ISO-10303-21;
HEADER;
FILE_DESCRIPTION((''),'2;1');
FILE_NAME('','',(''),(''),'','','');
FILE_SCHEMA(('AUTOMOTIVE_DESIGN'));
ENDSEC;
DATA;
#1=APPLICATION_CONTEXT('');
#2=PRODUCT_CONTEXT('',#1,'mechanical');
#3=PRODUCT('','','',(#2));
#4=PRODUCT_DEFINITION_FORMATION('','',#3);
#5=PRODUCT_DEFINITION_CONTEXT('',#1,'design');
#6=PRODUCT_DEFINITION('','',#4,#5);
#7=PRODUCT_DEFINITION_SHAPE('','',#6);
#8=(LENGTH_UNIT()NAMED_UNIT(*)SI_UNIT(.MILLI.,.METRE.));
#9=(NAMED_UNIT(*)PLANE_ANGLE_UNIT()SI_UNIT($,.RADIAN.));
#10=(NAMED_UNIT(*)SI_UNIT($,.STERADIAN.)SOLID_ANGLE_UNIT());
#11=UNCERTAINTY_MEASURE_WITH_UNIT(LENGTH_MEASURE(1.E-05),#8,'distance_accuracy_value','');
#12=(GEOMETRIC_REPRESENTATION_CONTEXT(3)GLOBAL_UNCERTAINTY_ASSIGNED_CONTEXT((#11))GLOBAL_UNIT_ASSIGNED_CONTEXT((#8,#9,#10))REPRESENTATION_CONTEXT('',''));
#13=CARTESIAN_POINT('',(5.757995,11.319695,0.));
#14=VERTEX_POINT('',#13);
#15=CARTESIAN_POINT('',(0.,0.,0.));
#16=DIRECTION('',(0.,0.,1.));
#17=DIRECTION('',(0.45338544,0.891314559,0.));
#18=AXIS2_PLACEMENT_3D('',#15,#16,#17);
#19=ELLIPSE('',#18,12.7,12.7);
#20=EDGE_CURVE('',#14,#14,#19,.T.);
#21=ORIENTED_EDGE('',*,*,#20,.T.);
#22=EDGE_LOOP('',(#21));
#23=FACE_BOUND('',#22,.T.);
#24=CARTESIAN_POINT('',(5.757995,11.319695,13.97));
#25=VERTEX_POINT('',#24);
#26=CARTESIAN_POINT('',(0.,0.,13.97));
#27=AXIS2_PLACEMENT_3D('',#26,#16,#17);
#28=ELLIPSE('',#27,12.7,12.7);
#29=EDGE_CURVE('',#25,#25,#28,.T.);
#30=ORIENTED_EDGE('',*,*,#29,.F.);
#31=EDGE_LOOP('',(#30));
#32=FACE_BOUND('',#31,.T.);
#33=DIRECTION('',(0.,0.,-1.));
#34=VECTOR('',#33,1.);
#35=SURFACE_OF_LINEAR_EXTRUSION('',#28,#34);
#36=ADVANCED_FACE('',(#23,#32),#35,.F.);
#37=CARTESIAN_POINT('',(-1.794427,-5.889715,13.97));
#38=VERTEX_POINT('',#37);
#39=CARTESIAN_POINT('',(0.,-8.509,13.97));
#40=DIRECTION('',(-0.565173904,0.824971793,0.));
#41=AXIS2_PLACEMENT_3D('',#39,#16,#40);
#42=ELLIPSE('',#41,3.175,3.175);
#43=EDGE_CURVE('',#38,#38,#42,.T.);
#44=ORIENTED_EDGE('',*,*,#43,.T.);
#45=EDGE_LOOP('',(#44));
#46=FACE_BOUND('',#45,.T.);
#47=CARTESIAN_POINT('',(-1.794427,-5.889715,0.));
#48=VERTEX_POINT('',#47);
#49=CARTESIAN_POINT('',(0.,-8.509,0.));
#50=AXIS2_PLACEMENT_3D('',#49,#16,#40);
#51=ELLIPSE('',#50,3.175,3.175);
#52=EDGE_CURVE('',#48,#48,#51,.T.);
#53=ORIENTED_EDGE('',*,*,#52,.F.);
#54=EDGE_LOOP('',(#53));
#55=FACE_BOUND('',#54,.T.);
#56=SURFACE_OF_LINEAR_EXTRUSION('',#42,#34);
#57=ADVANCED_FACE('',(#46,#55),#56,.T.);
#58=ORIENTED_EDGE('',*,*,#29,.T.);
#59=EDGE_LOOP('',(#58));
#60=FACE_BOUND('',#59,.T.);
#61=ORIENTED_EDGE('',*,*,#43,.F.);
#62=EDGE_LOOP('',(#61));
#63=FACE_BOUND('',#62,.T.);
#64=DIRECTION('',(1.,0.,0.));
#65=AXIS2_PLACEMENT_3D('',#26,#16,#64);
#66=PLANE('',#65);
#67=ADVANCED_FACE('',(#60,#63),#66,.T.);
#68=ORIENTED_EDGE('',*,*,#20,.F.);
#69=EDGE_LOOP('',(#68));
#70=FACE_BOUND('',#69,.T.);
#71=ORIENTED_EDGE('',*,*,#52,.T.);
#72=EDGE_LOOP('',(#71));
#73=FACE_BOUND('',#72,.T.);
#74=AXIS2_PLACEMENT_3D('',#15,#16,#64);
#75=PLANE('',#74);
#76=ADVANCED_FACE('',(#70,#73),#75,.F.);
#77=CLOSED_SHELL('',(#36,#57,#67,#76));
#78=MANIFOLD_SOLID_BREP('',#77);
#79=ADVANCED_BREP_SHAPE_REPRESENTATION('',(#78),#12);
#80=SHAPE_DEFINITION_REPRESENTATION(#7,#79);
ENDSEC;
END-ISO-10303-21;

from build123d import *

# Parameters (mm, degrees)
ESQUISSE1_RX       = 12.7
ESQUISSE1_RY       = 12.7
ESQUISSE1_RX_2     = 3.175
ESQUISSE1_RY_2     = 3.175
BOSS_EXTRU_1_DEPTH = 13.97


with BuildPart() as part:
    # Esquisse1 → Boss.-Extru.1 (new body)
    with BuildSketch(Plane.XY):
        with Locations(Location((0, 0), (0, 0, 63.038901355))):
            Ellipse(ESQUISSE1_RX, ESQUISSE1_RY)
        with Locations(Location((0, -8.509), (0, 0, 124.414368361))):
            Ellipse(ESQUISSE1_RX_2, ESQUISSE1_RY_2, mode=Mode.SUBTRACT)
    extrude(amount=BOSS_EXTRU_1_DEPTH)


solid = part.part
